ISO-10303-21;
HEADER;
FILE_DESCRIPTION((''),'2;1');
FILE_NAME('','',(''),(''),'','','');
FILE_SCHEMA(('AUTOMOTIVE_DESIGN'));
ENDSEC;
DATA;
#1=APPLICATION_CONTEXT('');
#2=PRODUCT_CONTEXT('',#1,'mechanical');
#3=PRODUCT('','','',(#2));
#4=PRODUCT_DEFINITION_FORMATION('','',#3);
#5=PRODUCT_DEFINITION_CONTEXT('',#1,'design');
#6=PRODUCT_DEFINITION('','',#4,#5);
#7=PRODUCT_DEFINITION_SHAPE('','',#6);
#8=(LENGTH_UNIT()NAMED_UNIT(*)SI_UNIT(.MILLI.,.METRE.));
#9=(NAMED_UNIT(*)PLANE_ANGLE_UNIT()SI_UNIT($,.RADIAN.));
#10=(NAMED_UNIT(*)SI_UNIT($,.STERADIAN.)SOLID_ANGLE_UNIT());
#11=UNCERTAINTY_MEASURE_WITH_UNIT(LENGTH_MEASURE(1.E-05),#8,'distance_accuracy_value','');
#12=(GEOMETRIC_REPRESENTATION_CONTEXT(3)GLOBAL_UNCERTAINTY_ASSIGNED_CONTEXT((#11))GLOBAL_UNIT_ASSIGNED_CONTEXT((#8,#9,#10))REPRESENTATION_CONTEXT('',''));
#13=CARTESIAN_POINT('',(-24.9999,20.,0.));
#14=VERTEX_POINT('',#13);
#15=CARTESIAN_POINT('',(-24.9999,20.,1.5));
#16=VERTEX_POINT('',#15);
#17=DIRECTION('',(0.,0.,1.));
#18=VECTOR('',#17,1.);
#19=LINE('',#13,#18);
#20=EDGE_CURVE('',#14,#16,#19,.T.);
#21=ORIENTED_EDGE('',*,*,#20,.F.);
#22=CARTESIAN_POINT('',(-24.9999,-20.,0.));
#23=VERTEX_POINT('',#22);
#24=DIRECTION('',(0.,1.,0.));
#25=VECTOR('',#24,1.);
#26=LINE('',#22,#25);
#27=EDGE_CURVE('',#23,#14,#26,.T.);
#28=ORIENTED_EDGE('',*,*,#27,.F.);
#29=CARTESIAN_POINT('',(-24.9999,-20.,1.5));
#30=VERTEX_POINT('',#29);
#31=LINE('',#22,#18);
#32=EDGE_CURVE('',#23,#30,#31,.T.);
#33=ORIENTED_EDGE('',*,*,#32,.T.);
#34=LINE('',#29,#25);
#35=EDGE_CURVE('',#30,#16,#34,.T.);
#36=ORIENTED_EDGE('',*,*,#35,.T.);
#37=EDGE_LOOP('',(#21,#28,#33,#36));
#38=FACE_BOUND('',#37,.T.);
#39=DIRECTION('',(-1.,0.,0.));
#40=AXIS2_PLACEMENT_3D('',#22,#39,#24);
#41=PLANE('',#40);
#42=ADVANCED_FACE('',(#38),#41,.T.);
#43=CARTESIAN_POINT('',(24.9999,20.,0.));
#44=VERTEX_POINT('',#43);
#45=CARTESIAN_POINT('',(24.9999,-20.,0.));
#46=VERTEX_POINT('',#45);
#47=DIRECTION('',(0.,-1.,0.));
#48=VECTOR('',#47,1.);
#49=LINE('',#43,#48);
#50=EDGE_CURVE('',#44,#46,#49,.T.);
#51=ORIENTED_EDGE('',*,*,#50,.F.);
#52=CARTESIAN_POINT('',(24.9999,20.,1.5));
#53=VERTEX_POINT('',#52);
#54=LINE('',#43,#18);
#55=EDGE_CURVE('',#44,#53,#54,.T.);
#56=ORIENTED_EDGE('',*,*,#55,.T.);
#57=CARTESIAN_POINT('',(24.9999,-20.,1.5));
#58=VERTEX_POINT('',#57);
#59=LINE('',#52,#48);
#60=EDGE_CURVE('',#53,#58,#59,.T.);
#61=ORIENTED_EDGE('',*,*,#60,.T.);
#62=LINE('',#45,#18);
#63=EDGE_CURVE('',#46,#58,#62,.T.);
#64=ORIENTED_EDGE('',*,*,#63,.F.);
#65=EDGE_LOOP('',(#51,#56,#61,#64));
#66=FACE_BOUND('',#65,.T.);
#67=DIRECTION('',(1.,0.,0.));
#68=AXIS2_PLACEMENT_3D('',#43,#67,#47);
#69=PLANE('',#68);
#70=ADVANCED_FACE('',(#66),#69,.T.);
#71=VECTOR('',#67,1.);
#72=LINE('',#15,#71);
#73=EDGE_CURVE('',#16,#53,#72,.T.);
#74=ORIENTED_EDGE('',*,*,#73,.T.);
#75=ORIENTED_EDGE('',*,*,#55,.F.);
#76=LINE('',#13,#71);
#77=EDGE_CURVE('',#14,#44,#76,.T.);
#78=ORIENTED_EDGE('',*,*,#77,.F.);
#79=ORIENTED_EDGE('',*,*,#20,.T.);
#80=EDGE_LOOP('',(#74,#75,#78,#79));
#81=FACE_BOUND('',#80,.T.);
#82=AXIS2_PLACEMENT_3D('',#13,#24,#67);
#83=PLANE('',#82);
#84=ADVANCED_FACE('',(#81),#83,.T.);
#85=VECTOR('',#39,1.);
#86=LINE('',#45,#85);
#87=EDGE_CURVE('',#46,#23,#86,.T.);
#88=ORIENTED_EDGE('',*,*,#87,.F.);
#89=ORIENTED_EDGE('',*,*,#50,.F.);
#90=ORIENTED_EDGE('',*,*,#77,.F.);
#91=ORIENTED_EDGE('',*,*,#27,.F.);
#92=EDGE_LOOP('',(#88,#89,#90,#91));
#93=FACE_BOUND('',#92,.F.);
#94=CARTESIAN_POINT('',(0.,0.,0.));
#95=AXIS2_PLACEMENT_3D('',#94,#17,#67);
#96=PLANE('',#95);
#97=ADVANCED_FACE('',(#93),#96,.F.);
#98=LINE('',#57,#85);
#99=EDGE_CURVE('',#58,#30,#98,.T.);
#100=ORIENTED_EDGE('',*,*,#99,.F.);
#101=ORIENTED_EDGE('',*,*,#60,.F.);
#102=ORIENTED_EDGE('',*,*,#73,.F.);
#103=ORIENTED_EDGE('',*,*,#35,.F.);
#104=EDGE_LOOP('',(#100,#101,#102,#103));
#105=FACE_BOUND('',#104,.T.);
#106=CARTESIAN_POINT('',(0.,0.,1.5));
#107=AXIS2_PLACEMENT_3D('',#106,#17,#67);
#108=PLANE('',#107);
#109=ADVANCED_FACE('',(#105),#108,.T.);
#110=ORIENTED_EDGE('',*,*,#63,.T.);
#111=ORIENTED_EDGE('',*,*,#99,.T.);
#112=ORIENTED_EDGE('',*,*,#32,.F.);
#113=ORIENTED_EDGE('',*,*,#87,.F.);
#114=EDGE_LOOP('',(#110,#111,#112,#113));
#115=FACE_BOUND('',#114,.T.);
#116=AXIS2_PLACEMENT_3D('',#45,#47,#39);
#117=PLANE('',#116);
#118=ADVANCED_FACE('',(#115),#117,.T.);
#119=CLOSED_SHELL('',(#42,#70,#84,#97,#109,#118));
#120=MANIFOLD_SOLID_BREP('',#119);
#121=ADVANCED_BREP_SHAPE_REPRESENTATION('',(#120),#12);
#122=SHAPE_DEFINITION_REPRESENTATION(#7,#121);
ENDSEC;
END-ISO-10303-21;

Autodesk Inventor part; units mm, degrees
ref_plane "YZ Plane" through (0, 0, 0) normal (1, 0, 0) x (0, 1, 0)
ref_plane "XZ Plane" through (0, 0, 0) normal (0, 1, 0) x (-1, 0, 0)
ref_plane "XY Plane" through (0, 0, 0) normal (0, 0, 1) x (1, 0, 0)
sketch "Sketch1" plane through (0, 0, 0) normal (0, 0, 1) x (1, 0, 0)
  point P0 (0, 0)
sketch "Sketch2" plane through (0, 0, 0) normal (0, 0, 1) x (1, 0, 0)
  line L0 (24.9999, -20) -> (-24.9999, -20)
  line L1 (-24.9999, -20) -> (-24.9999, 20)
  line L2 (-24.9999, 20) -> (24.9999, 20)
  line L3 (24.9999, 20) -> (24.9999, -20)
  line L4 (24.9999, -20) -> (-24.9999, 20) construction
  line L5 (-24.9999, -20) -> (24.9999, 20) construction
  point P0 (0, 0)
extrude "Extrusion1" add sketch "Sketch2" along normal blind 1.5
properties part number "enclosure_80x40x50_mm_front_plate"
